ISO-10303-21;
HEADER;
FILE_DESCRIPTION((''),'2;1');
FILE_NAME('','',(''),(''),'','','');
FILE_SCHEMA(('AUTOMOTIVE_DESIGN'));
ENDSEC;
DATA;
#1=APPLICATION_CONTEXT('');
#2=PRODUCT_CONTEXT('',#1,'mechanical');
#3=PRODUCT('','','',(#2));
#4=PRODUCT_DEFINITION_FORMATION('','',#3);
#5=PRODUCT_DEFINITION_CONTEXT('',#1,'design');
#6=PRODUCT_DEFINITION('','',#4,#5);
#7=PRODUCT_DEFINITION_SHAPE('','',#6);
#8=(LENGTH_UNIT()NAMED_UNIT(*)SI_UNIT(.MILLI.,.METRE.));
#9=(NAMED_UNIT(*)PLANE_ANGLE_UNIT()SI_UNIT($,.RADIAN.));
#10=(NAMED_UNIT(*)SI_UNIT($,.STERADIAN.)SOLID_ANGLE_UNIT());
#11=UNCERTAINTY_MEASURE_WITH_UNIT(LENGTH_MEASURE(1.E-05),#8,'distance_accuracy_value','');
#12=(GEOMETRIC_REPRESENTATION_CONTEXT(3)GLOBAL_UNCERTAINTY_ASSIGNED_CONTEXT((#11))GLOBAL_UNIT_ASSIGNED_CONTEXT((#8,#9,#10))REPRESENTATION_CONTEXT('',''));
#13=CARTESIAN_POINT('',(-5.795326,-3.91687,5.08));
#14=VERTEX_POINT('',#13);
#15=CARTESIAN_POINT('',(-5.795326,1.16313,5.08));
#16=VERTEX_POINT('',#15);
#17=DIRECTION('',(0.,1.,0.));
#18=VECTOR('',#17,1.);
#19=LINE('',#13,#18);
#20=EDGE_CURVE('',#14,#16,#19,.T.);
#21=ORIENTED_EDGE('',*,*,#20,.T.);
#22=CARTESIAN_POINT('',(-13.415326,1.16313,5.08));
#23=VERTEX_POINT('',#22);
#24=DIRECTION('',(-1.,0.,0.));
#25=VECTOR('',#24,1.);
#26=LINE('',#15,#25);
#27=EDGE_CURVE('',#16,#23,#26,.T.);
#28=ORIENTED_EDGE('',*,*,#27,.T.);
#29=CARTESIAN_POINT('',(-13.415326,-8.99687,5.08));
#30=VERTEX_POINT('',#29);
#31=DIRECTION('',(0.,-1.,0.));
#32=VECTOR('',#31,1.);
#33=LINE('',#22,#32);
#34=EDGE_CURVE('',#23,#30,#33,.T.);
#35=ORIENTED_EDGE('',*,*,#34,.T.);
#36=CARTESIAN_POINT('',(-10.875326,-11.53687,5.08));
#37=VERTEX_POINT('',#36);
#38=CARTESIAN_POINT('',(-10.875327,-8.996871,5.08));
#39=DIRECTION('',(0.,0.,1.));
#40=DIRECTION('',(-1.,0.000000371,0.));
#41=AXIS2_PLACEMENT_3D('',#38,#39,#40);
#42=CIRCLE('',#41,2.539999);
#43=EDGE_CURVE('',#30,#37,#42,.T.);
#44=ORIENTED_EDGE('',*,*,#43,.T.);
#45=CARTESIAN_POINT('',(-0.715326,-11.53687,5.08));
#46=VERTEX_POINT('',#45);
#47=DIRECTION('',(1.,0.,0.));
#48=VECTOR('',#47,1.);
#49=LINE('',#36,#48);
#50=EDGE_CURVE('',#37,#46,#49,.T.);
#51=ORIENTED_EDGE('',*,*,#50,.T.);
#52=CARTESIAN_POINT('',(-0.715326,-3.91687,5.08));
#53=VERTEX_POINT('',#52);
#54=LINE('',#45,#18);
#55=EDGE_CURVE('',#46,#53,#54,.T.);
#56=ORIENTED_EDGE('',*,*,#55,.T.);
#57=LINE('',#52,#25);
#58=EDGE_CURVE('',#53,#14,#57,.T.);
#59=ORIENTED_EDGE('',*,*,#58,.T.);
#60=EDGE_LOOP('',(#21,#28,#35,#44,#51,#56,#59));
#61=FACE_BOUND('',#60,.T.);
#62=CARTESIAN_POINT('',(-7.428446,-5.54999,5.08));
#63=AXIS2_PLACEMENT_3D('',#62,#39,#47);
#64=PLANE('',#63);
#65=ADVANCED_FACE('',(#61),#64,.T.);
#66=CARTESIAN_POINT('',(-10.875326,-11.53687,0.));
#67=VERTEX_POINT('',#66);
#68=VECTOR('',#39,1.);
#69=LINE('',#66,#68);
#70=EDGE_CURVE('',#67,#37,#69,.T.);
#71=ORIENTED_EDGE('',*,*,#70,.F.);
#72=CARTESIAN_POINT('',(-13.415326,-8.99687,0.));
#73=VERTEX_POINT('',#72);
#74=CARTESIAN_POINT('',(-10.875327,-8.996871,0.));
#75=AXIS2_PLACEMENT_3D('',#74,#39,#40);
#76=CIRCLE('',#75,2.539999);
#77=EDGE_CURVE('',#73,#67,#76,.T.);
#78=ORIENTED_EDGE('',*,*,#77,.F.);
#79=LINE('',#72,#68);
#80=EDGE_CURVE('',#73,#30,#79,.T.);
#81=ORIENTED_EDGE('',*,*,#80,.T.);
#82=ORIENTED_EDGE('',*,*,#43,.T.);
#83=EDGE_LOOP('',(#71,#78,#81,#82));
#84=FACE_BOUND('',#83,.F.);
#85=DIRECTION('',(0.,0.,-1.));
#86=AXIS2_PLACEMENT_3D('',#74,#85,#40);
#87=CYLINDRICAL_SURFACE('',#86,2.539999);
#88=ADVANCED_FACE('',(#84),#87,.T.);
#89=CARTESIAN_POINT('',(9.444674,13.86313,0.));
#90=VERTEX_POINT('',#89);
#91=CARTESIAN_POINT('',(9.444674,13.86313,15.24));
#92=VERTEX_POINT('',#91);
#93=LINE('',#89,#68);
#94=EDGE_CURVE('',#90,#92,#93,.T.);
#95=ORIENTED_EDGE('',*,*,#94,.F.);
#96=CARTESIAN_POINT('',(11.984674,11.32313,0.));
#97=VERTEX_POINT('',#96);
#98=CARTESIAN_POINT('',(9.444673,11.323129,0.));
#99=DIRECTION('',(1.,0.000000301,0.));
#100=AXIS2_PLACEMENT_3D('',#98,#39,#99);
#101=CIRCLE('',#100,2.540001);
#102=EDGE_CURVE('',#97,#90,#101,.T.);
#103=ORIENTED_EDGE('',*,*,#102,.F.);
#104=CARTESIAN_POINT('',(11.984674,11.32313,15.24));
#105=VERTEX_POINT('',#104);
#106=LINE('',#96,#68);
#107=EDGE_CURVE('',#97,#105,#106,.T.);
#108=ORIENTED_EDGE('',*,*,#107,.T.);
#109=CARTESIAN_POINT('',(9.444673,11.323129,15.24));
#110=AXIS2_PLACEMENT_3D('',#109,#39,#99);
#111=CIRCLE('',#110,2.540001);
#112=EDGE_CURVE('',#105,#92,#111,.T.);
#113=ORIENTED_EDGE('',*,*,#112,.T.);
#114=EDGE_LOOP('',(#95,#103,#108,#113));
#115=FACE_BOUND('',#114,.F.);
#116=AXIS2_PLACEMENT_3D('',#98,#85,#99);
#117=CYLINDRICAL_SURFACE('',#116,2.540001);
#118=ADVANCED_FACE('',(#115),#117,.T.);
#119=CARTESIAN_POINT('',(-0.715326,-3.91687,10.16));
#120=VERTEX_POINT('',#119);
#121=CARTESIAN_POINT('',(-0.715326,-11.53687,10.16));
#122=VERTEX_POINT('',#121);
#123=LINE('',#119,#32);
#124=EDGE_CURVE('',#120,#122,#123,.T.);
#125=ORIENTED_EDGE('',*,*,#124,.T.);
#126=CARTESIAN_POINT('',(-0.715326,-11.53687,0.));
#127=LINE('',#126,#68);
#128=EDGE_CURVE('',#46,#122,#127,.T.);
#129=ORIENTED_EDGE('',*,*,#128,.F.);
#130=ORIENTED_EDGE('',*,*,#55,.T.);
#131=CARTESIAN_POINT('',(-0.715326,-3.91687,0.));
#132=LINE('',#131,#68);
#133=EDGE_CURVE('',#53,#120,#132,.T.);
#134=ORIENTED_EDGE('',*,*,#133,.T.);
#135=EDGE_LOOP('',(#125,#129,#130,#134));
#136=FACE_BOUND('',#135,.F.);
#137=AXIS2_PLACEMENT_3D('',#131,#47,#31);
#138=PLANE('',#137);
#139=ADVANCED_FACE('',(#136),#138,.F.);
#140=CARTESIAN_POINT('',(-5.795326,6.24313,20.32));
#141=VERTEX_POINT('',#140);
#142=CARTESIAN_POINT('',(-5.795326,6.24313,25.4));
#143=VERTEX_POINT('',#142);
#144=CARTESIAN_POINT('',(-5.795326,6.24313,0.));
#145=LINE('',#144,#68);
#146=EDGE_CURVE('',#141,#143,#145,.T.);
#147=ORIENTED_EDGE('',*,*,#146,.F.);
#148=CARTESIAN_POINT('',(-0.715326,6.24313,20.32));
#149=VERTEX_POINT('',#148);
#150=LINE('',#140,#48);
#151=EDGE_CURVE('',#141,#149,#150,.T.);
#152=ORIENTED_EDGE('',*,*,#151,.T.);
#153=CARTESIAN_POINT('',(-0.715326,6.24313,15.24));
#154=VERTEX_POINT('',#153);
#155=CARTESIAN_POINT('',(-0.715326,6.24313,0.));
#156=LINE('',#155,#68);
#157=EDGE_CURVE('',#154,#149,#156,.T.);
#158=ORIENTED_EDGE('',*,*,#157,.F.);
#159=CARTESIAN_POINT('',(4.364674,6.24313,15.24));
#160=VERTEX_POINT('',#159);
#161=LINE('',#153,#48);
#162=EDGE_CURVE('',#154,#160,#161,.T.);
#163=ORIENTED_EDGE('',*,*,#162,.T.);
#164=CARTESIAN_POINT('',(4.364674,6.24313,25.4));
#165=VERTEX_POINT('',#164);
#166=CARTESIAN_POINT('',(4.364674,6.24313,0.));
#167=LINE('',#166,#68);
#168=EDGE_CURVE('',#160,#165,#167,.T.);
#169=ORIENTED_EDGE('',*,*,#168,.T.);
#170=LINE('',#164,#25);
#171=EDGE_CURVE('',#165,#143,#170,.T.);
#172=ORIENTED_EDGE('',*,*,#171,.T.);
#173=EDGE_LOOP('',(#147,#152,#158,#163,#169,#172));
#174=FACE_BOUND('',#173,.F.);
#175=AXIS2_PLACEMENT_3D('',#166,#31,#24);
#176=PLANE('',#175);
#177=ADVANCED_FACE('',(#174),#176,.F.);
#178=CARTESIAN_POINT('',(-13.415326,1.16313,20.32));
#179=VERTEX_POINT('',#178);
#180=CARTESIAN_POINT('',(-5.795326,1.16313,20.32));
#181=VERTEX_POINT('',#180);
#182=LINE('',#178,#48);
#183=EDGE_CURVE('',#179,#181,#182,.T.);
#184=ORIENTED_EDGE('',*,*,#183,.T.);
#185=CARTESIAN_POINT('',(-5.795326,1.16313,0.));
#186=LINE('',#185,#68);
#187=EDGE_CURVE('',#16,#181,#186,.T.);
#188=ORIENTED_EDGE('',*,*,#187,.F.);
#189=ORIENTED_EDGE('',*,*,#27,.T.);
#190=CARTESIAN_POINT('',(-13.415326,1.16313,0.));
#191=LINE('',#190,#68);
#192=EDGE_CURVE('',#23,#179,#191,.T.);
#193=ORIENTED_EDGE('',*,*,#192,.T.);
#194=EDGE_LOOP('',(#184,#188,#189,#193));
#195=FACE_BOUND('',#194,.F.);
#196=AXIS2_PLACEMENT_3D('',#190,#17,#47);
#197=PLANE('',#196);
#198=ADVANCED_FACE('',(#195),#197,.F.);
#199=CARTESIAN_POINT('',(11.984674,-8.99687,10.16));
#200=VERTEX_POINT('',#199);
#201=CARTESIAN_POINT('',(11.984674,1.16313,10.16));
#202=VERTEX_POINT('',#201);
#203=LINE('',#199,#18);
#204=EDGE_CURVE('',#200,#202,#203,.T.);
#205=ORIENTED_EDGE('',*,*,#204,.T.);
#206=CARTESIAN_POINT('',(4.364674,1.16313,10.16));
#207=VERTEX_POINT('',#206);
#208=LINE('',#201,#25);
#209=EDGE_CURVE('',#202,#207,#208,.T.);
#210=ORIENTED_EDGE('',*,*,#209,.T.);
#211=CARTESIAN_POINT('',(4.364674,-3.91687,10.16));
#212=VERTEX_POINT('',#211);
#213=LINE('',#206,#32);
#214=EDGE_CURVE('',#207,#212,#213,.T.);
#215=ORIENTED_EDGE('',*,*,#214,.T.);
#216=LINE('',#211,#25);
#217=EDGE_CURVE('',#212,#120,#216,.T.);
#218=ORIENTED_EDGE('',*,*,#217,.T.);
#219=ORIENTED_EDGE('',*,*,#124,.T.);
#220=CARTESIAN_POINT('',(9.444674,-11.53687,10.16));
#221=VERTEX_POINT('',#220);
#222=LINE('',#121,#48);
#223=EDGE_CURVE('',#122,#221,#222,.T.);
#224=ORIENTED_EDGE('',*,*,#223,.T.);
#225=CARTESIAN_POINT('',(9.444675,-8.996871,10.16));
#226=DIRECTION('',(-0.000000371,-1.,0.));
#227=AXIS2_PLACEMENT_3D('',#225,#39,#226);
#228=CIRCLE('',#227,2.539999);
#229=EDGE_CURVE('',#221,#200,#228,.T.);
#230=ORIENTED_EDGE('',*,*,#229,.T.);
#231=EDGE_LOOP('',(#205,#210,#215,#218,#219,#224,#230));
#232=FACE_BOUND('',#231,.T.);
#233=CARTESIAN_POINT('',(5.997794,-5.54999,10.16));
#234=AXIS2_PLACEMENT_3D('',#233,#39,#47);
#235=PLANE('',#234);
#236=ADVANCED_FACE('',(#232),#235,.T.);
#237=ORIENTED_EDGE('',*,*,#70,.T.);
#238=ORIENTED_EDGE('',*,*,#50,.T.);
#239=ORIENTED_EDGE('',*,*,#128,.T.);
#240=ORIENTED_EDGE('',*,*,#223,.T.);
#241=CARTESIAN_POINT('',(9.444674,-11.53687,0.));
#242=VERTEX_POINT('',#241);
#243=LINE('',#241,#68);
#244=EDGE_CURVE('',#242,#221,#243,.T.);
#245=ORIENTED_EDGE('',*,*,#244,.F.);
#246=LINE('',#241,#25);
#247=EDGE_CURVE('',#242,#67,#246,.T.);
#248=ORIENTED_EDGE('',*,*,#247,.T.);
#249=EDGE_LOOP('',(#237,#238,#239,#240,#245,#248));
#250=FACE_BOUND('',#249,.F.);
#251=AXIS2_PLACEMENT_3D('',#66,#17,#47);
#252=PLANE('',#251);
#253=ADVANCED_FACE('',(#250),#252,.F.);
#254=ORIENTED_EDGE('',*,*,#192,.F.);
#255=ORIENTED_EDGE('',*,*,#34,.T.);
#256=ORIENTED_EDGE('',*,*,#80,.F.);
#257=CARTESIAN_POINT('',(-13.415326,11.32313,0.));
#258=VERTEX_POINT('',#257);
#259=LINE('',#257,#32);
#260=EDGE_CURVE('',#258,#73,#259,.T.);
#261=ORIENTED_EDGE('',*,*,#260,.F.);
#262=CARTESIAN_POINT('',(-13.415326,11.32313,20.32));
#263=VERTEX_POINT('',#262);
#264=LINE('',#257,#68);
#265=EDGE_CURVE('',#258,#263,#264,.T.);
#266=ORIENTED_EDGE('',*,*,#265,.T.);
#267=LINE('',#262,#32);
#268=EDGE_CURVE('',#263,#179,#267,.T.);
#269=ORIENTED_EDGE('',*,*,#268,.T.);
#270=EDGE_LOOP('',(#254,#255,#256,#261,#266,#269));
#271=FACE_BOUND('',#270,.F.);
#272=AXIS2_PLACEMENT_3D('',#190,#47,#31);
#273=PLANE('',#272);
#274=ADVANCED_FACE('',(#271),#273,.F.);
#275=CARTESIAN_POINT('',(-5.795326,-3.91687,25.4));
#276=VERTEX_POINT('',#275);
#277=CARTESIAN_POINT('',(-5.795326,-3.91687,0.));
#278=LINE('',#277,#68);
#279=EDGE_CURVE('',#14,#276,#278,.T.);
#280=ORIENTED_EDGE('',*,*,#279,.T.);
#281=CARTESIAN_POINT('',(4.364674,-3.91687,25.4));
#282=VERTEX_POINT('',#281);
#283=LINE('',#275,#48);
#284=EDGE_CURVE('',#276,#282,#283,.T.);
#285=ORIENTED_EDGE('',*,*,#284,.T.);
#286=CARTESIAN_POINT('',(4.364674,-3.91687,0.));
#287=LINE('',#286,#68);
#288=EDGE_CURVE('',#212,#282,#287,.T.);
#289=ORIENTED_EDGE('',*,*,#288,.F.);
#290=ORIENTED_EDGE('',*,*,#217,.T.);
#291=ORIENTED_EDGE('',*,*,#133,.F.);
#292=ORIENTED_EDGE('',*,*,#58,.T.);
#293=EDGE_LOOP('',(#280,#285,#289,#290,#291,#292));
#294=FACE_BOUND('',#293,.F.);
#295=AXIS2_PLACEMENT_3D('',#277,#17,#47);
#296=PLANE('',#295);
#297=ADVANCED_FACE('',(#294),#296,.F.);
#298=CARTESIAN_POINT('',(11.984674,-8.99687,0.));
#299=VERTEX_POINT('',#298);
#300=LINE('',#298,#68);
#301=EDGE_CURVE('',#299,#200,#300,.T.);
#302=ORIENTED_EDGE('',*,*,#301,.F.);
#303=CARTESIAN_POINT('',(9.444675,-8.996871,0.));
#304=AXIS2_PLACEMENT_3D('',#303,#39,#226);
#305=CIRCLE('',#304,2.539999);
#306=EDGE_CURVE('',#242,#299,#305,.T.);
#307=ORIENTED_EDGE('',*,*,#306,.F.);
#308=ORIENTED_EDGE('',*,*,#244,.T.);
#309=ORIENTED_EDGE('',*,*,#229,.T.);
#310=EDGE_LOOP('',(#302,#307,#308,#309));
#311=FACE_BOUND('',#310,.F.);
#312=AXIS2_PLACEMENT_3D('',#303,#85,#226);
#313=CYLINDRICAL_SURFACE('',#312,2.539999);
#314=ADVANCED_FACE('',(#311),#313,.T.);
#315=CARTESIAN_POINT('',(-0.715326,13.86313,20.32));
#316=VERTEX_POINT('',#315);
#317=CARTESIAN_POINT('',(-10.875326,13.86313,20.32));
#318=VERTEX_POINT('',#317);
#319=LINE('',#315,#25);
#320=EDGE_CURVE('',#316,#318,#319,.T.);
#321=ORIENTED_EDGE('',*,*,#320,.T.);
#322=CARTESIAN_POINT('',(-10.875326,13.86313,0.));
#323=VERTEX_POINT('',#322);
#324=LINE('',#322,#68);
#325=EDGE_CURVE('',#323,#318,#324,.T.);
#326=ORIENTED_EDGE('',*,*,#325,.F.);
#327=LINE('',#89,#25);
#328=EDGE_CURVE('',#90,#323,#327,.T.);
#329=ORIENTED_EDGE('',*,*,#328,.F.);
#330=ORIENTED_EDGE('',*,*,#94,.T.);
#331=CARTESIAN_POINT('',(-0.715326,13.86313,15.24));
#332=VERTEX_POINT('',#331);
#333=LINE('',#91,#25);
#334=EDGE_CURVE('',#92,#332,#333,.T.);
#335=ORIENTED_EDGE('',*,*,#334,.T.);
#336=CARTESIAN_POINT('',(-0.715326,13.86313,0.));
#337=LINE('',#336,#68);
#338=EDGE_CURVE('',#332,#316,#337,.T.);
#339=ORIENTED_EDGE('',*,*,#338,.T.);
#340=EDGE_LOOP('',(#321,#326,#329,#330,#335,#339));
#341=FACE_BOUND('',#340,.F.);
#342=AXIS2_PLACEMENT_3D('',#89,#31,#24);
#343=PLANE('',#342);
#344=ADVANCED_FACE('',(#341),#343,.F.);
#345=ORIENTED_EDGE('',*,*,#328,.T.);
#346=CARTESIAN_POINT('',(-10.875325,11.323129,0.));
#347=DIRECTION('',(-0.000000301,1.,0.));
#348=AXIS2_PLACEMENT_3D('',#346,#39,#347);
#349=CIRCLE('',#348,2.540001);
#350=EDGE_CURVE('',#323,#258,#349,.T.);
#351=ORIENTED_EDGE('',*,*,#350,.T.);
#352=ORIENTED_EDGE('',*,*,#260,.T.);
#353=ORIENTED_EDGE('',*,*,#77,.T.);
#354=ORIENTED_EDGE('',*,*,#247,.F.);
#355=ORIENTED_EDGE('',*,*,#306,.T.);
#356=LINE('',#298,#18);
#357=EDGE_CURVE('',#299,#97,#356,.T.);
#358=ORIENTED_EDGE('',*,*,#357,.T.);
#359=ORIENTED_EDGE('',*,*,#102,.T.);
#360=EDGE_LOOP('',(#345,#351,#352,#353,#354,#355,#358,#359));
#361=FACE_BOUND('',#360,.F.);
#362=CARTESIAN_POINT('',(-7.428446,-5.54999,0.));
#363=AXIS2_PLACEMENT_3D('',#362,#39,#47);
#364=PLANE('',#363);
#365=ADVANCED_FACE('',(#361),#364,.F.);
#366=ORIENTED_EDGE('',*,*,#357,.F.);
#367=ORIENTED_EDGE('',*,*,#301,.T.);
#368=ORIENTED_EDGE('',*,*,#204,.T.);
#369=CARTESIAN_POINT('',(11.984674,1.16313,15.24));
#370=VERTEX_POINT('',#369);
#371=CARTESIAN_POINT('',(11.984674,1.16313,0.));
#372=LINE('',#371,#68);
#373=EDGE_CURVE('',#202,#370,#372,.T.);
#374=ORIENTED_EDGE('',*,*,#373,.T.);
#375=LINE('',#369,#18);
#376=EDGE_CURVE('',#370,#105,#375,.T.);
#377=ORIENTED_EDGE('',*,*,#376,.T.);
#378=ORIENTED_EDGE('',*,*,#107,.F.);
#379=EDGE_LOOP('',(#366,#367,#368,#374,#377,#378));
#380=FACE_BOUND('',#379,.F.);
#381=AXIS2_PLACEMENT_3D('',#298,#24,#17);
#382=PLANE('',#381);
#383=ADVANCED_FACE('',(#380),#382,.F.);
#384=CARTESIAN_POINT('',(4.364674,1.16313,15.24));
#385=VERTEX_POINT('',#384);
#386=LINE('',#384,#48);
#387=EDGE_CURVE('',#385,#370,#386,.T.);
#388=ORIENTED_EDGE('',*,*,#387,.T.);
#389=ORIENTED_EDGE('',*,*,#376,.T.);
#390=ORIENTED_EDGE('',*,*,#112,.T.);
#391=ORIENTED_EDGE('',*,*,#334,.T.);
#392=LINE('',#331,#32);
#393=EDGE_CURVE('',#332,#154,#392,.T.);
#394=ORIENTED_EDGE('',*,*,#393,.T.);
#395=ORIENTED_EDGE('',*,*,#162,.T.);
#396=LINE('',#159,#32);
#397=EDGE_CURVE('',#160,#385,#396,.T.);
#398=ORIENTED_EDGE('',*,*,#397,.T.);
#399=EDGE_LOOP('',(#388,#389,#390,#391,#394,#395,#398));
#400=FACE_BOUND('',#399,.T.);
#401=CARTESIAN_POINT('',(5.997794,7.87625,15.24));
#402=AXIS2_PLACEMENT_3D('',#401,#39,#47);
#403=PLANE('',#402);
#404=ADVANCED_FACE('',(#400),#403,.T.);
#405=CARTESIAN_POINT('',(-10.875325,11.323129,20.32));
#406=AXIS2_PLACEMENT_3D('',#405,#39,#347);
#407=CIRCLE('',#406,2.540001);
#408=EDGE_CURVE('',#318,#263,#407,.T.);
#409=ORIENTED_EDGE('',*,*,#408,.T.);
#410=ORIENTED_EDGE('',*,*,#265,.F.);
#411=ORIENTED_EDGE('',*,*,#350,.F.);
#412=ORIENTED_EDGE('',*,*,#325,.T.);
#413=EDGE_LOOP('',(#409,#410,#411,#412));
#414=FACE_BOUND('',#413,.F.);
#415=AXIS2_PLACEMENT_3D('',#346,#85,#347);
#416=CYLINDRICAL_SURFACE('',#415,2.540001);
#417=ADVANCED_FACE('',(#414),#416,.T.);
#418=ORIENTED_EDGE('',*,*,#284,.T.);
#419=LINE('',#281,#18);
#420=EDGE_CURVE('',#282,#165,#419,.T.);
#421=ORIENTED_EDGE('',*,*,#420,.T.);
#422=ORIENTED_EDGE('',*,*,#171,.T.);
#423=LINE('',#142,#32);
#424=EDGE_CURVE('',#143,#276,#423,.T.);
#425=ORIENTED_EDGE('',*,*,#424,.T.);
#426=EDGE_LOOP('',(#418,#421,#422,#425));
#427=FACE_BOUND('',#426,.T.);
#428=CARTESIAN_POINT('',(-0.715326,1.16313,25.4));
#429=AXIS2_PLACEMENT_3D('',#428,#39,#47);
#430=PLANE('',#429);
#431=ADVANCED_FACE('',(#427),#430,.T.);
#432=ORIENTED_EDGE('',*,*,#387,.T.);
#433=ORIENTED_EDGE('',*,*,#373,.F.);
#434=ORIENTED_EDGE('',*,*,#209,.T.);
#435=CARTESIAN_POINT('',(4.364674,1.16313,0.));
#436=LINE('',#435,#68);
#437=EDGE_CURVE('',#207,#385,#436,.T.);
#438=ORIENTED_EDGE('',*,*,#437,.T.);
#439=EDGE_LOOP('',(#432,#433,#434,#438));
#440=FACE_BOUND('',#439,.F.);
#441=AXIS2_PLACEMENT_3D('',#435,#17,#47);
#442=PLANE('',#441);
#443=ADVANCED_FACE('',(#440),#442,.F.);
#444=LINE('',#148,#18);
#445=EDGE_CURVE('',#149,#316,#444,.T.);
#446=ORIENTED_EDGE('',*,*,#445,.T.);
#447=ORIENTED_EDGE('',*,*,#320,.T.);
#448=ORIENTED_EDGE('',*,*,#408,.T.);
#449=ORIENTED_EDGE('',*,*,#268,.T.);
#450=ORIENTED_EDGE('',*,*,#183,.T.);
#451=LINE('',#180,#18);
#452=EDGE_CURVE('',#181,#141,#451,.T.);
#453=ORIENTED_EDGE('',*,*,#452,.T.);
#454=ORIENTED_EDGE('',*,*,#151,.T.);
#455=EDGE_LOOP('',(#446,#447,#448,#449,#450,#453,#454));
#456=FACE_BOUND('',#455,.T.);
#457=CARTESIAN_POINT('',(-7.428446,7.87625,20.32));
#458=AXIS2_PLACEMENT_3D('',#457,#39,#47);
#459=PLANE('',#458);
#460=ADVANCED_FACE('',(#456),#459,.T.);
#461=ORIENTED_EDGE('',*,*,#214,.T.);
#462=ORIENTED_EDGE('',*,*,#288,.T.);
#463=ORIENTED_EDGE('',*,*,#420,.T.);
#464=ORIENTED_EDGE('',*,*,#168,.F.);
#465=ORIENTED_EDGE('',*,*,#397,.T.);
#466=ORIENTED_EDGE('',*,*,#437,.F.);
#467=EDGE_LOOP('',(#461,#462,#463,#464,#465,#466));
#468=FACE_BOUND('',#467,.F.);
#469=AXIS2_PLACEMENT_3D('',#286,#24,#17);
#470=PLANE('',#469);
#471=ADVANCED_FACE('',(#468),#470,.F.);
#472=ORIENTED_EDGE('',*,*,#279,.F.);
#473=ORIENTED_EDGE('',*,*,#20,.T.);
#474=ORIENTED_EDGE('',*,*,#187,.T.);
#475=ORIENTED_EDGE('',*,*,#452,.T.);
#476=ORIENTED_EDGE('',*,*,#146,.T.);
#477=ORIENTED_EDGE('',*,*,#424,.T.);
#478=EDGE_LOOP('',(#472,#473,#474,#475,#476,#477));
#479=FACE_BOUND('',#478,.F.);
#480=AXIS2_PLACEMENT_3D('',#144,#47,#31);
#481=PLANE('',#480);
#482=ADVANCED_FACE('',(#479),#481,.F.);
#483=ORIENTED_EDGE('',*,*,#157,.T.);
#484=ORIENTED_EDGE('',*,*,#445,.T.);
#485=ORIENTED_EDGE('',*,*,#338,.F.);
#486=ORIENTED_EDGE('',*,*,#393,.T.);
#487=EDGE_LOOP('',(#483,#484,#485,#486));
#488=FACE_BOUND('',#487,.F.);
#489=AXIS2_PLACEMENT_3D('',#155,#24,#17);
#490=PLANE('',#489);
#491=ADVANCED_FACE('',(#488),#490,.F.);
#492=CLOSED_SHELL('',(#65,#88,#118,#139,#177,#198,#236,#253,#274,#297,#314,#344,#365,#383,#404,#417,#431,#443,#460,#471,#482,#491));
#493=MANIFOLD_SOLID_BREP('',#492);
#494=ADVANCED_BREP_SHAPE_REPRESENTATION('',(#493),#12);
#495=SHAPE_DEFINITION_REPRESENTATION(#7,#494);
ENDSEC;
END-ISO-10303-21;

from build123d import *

# Parameters (mm, degrees)
F1_DEPTH = 20.32
F2_DEPTH = 15.24
F3_DEPTH = 25.4
F4_DEPTH = 10.16
F5_DEPTH = 5.08


with BuildPart() as f1:
    # F0 (on Top) → F1 (new body)
    with BuildSketch(Plane.XY):
        with BuildLine():
            Line((-0.715326, 13.86313), (-10.875326, 13.86313))
            ThreePointArc((-10.875326, 13.86313), (-12.671377, 13.119181), (-13.415326, 11.32313))
            Line((-13.415326, 11.32313), (-13.415326, 1.16313))
            Line((-13.415326, 1.16313), (-5.795326, 1.16313))
            Line((-5.795326, 1.16313), (-5.795326, 6.24313))
            Line((-5.795326, 6.24313), (-0.715326, 6.24313))
            Line((-0.715326, 6.24313), (-0.715326, 13.86313))
        make_face()
    extrude(amount=F1_DEPTH)

    # F0 (on Top) → F2 (join)
    with BuildSketch(Plane.XY):
        with BuildLine():
            Line((9.444674, 13.86313), (-0.715326, 13.86313))
            Line((-0.715326, 13.86313), (-0.715326, 6.24313))
            Line((-0.715326, 6.24313), (4.364674, 6.24313))
            Line((4.364674, 6.24313), (4.364674, 1.16313))
            Line((4.364674, 1.16313), (11.984674, 1.16313))
            Line((11.984674, 1.16313), (11.984674, 11.32313))
            ThreePointArc((11.984674, 11.32313), (11.240725, 13.119181), (9.444674, 13.86313))
        make_face()
    extrude(amount=F2_DEPTH)

    # F0 (on Top) → F3 (join)
    with BuildSketch(Plane.XY):
        Polygon((4.364674, 6.24313), (-0.715326, 6.24313), (-5.795326, 6.24313), (-5.795326, 1.16313), (-5.795326, -3.91687), (-0.715326, -3.91687), (4.364674, -3.91687), (4.364674, 1.16313), align=None)
    extrude(amount=F3_DEPTH)

    # F0 (on Top) → F4 (join)
    with BuildSketch(Plane.XY):
        with BuildLine():
            Line((11.984674, -8.99687), (11.984674, 1.16313))
            Line((11.984674, 1.16313), (4.364674, 1.16313))
            Line((4.364674, 1.16313), (4.364674, -3.91687))
            Line((4.364674, -3.91687), (-0.715326, -3.91687))
            Line((-0.715326, -3.91687), (-0.715326, -11.53687))
            Line((-0.715326, -11.53687), (9.444674, -11.53687))
            ThreePointArc((9.444674, -11.53687), (11.240725, -10.792922), (11.984674, -8.99687))
        make_face()
    extrude(amount=F4_DEPTH)

    # F0 (on Top) → F5 (join)
    with BuildSketch(Plane.XY):
        with BuildLine():
            Line((-5.795326, 1.16313), (-13.415326, 1.16313))
            Line((-13.415326, 1.16313), (-13.415326, -8.99687))
            ThreePointArc((-13.415326, -8.99687), (-12.671377, -10.792922), (-10.875326, -11.53687))
            Line((-10.875326, -11.53687), (-0.715326, -11.53687))
            Line((-0.715326, -11.53687), (-0.715326, -3.91687))
            Line((-0.715326, -3.91687), (-5.795326, -3.91687))
            Line((-5.795326, -3.91687), (-5.795326, 1.16313))
        make_face()
    extrude(amount=F5_DEPTH)


solid = f1.part
